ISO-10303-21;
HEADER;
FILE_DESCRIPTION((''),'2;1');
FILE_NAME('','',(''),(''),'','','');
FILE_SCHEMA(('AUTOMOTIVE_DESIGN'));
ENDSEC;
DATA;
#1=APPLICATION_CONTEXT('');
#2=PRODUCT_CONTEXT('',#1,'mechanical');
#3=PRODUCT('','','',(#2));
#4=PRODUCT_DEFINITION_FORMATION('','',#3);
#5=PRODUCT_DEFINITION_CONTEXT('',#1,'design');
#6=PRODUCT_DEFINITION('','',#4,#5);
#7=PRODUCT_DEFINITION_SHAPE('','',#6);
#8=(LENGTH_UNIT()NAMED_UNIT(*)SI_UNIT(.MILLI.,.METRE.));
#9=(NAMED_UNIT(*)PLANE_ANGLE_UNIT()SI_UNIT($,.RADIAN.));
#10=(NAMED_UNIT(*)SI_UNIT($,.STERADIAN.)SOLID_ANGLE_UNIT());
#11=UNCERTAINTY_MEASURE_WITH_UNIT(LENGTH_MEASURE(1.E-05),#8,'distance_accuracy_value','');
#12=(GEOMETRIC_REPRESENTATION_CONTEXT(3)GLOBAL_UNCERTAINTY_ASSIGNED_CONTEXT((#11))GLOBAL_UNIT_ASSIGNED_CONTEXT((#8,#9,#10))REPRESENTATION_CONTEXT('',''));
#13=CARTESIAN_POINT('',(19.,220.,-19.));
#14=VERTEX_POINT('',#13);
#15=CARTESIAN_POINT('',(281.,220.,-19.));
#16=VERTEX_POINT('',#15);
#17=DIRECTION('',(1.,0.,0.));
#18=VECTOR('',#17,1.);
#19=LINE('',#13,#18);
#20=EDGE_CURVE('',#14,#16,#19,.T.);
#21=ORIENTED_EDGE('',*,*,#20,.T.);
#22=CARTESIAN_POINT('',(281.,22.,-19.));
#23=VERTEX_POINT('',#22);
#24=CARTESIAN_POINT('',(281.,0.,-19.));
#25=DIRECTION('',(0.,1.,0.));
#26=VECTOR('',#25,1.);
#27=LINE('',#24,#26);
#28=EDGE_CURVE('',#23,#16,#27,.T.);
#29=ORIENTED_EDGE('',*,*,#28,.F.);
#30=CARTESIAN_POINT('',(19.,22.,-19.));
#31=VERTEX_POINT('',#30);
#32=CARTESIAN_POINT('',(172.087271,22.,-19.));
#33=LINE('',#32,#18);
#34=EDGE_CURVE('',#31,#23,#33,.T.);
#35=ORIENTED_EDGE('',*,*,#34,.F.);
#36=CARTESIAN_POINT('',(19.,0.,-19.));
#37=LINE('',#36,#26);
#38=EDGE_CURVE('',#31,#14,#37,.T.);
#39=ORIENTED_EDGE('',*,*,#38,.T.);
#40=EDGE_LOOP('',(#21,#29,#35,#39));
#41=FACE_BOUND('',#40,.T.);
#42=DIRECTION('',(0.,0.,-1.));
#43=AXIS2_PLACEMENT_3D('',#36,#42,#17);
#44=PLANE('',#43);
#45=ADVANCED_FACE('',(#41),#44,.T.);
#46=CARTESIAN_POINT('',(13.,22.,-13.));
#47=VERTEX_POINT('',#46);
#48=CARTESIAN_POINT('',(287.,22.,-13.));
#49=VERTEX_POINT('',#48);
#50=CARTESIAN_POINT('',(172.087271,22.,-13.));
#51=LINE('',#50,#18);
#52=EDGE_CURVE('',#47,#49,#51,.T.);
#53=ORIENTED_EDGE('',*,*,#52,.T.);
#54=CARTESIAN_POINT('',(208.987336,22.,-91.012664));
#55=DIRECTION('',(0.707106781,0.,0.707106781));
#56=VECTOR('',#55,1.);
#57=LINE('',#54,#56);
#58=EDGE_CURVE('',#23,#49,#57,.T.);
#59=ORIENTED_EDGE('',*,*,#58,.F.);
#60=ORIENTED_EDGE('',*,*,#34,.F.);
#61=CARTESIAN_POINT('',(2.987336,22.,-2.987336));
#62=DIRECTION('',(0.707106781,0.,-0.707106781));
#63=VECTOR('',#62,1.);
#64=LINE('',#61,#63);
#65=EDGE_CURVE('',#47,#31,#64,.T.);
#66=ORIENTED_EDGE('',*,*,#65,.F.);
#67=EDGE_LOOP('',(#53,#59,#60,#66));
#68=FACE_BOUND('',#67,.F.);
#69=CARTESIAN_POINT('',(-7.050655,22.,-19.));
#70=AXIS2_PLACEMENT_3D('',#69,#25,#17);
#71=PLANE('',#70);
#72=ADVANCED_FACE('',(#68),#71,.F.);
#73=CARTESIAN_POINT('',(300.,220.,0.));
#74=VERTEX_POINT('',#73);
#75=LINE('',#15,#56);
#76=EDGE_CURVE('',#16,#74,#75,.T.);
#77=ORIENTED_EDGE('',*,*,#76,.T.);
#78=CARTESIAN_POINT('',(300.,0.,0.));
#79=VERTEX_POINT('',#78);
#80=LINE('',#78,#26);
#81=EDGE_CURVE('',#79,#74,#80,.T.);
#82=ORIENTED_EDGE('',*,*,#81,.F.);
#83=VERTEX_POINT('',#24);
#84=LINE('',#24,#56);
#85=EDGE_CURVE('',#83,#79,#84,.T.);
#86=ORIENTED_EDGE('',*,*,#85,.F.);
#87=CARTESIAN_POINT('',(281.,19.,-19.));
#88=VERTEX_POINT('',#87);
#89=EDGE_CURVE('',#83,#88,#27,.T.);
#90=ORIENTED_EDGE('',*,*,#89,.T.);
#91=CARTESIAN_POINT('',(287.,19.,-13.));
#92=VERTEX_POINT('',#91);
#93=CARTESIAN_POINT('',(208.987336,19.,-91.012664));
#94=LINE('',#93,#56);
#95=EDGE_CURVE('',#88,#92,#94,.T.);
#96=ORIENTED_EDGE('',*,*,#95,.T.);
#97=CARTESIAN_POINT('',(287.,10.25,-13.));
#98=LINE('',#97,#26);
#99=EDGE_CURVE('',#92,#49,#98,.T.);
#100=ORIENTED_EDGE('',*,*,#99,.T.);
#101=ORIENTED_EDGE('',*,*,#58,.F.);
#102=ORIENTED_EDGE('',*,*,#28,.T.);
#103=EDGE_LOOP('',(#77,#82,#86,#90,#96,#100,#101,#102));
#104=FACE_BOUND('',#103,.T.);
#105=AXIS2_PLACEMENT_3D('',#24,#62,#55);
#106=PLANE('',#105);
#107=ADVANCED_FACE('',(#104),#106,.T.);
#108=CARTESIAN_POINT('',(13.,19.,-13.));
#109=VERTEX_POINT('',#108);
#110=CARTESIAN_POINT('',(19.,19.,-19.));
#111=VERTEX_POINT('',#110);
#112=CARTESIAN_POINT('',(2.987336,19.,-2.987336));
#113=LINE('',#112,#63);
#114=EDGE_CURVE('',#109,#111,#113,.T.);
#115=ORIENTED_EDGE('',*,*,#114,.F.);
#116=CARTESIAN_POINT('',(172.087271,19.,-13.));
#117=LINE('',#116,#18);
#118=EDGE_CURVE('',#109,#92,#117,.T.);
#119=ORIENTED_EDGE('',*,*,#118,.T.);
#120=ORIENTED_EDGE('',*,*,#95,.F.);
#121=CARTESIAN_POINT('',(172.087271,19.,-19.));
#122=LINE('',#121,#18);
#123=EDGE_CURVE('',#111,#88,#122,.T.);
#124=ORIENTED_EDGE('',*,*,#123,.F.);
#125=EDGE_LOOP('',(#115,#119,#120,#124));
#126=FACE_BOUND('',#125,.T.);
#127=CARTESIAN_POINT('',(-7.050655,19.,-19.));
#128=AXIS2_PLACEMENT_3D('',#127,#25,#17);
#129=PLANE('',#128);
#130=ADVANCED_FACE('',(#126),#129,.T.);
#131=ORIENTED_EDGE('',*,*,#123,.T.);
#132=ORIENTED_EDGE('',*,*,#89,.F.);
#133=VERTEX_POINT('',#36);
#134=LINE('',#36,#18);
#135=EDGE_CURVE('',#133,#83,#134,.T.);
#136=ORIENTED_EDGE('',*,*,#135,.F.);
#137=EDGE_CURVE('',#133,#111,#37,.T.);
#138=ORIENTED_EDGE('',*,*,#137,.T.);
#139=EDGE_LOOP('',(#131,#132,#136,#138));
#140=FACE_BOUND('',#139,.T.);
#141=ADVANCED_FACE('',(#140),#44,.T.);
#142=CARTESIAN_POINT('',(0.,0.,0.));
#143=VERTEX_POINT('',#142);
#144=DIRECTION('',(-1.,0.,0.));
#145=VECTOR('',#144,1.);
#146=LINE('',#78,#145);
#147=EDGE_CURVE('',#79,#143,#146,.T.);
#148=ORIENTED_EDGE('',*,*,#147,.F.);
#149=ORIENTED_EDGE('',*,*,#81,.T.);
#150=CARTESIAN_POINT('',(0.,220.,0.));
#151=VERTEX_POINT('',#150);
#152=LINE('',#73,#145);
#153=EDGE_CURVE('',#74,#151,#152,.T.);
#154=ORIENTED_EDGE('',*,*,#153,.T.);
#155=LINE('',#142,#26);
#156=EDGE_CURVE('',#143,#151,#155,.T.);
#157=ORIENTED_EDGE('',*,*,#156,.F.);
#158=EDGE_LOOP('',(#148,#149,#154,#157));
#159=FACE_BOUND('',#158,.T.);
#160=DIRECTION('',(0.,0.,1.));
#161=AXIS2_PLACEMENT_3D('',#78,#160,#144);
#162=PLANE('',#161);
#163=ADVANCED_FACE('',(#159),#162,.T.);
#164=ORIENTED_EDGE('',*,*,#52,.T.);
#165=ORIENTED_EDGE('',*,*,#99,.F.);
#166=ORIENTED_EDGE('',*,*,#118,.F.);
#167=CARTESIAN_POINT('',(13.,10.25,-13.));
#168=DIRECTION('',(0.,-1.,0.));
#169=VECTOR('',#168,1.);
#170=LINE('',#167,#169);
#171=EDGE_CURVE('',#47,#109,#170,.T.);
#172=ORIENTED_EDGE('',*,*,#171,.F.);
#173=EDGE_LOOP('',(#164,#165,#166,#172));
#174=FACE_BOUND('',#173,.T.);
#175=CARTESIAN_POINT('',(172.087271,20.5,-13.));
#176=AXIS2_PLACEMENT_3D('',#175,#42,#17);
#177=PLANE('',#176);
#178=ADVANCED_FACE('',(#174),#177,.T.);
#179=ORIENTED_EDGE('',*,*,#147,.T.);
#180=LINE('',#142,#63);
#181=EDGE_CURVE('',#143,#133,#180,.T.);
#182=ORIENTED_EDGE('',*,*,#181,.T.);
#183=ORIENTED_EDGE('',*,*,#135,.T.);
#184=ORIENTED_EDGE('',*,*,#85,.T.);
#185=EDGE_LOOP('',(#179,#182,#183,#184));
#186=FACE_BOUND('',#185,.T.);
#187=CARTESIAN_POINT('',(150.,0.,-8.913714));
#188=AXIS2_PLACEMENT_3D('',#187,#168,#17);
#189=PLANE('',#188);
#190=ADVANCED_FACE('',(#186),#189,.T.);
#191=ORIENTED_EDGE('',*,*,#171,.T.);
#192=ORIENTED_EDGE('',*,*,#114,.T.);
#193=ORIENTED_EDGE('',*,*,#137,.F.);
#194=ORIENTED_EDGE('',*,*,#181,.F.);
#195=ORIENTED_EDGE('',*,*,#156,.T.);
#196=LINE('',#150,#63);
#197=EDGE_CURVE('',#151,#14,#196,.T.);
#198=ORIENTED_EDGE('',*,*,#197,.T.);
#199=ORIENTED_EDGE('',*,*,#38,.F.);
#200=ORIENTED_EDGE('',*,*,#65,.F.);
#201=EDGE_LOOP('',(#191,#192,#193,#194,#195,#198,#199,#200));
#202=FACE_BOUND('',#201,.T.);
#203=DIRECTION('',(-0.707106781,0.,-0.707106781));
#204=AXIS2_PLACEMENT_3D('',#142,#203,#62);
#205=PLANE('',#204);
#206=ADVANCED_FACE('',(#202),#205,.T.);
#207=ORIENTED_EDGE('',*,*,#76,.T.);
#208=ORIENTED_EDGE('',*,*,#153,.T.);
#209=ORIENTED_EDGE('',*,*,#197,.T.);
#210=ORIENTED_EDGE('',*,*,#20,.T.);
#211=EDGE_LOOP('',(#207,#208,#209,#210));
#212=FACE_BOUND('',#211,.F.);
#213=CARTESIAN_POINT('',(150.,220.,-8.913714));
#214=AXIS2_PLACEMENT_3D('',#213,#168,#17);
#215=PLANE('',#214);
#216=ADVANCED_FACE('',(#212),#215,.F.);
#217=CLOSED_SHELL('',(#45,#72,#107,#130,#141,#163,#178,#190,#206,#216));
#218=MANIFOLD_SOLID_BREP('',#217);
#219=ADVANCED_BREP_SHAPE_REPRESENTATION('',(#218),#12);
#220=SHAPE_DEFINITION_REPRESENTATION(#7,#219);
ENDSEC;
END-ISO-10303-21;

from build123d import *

# Parameters (mm, degrees)
F1_DEPTH = 220
F2_W     = 358.275851
F2_H     = 3
F3_DEPTH = 6


with BuildPart() as f1:
    # F0 (on Front) → F1 (new body)
    with BuildSketch(Plane.XZ):
        Polygon((300, 0), (0, 0), (19, -19), (281, -19), align=None)
    extrude(amount=-F1_DEPTH)

    # F2 (on face) → F3 (cut)
    with BuildSketch(Plane(origin=(0, 0, -19), x_dir=(1, 0, 0), z_dir=(0, 0, -1))):
        with Locations((172.087271, -20.5)):
            Rectangle(F2_W, F2_H)
    extrude(amount=-F3_DEPTH, mode=Mode.SUBTRACT)


solid = f1.part
